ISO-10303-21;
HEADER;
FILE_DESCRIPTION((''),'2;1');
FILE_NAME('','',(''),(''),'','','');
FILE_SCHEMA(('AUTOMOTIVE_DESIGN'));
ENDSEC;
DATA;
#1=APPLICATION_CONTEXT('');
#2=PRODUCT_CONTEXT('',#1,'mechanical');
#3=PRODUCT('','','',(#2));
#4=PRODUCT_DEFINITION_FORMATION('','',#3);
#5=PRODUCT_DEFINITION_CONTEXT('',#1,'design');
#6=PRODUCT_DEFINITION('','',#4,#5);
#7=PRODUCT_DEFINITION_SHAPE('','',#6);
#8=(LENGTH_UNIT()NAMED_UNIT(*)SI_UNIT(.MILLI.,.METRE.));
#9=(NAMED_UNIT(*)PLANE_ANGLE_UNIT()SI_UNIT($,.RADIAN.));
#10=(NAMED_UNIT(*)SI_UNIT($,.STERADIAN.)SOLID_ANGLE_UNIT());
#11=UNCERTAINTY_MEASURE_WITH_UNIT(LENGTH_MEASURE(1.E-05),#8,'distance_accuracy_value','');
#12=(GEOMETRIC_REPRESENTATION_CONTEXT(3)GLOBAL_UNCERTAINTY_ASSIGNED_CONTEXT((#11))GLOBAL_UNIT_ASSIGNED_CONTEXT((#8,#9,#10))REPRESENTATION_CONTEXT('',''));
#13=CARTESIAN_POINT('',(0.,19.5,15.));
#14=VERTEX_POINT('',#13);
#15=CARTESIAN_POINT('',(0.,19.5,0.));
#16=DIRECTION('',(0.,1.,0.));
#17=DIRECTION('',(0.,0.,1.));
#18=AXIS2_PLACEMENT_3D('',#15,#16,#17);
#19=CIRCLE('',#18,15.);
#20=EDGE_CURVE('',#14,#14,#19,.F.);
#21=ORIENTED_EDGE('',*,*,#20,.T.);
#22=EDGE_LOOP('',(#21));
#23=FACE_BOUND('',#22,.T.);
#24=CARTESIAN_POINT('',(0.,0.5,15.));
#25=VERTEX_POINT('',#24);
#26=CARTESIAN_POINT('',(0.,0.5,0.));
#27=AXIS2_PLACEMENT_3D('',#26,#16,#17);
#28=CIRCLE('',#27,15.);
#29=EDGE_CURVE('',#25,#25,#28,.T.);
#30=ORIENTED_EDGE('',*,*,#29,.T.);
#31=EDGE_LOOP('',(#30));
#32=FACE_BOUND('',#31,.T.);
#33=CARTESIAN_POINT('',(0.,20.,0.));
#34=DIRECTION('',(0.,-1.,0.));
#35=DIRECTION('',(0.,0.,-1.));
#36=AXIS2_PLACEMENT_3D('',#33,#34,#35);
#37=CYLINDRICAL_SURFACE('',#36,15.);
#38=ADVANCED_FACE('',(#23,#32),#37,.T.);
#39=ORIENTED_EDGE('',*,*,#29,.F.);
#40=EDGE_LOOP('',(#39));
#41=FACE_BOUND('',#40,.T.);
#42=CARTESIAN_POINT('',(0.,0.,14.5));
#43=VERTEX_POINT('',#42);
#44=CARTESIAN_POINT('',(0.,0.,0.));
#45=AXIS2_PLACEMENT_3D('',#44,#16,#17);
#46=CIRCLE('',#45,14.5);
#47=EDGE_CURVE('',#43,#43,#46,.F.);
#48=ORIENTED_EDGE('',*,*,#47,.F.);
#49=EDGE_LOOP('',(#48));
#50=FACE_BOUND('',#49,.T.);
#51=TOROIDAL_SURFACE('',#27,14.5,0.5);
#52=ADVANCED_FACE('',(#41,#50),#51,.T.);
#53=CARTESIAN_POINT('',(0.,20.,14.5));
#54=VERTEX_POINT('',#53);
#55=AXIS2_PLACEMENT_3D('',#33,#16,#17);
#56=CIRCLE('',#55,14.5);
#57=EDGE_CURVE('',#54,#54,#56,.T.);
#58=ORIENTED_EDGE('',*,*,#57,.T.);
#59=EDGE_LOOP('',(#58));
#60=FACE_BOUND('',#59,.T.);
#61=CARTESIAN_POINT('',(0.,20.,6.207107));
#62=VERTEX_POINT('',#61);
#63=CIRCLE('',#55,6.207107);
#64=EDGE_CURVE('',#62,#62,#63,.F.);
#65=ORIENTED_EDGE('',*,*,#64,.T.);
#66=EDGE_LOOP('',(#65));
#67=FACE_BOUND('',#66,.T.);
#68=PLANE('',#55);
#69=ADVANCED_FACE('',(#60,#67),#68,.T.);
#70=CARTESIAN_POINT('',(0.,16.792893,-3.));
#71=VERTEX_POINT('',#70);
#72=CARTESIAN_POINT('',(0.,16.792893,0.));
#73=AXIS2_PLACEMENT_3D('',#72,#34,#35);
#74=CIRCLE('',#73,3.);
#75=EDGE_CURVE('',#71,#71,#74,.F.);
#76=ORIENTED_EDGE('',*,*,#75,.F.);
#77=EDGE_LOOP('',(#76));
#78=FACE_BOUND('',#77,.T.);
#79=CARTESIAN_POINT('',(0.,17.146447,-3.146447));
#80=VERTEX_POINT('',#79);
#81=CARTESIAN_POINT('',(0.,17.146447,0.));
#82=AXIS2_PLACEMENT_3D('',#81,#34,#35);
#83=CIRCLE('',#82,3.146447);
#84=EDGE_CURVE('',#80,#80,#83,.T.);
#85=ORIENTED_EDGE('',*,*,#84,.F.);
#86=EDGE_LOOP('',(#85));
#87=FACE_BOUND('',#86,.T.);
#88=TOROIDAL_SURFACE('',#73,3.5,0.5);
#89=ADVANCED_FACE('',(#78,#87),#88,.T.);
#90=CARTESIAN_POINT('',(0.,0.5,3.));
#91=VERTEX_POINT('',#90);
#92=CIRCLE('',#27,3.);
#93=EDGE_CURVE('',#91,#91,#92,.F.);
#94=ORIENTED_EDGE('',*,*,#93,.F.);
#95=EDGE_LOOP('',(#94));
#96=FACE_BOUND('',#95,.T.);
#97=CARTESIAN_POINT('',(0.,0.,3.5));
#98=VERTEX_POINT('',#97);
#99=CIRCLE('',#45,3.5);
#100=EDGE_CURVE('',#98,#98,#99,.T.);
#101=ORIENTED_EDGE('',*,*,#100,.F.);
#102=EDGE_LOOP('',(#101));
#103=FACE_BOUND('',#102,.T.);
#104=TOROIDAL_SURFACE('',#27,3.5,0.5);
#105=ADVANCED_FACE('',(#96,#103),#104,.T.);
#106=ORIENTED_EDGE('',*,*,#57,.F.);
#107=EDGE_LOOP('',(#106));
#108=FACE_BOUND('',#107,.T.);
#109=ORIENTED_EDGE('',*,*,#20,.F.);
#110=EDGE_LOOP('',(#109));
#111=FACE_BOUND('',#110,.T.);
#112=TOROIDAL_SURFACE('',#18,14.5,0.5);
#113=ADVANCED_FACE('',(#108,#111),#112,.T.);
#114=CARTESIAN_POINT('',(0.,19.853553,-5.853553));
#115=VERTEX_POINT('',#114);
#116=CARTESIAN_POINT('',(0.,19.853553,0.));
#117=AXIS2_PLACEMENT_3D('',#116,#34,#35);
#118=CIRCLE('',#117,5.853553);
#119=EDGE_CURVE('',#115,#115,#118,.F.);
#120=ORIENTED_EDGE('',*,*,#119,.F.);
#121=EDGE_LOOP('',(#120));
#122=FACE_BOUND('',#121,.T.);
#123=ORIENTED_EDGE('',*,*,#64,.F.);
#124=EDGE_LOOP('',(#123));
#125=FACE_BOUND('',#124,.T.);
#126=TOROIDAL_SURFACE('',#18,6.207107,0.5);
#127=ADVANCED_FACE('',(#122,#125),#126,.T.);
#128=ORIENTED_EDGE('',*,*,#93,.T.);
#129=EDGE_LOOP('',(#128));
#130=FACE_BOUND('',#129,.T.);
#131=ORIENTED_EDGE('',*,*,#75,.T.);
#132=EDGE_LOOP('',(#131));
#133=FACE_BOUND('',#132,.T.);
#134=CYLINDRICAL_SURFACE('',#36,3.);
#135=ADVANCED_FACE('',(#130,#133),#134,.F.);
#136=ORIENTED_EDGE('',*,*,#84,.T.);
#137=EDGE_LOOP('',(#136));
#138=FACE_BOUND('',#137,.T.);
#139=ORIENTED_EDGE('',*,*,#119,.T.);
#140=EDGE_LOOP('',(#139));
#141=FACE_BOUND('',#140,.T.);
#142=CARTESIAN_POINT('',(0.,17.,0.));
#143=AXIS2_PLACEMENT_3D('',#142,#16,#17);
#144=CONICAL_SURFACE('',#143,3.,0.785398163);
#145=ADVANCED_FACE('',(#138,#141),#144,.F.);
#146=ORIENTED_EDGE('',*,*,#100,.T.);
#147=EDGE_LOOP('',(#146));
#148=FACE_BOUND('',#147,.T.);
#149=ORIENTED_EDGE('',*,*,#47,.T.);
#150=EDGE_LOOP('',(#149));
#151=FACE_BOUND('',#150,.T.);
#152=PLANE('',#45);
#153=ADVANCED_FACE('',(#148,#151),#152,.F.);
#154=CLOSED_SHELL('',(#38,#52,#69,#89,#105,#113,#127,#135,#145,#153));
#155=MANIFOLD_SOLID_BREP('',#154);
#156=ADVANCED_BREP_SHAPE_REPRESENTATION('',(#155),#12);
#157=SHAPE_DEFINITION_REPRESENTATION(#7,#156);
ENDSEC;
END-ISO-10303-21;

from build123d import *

# Parameters (mm, degrees)
SKETCH1_R           = 15
SKETCH1_R_2         = 3
BOSS_EXTRUDE1_DEPTH = 20
CHAMFER1_SIZE       = 3
FILLET1_R           = 0.5


with BuildPart() as part:
    # Sketch1 → Boss-Extrude1 (new body)
    with BuildSketch(Plane(origin=(0, 0, 0), x_dir=(1, 0, 0), z_dir=(0, 1, 0))):
        with Locations(Location((0, 0, 0), (0, 0, 270))):
            Circle(SKETCH1_R)
        with Locations(Location((0, 0, 0), (0, 0, 270))):
            Circle(SKETCH1_R_2, mode=Mode.SUBTRACT)
    extrude(amount=BOSS_EXTRUDE1_DEPTH)

    # Chamfer1
    chamfer1_edges = [part.edges().sort_by_distance(p)[0] for p in [
        (0, 20, -3),
    ]]
    chamfer(chamfer1_edges, length=CHAMFER1_SIZE)

    # Fillet1
    fillet1_edges = [part.edges().sort_by_distance(p)[0] for p in [
        (0, 0, -15),
        (0, 20, -15),
        (0, 0, -3),
        (0, 17, -3),
        (0, 20, -6),
    ]]
    fillet(fillet1_edges, radius=FILLET1_R)


solid = part.part
